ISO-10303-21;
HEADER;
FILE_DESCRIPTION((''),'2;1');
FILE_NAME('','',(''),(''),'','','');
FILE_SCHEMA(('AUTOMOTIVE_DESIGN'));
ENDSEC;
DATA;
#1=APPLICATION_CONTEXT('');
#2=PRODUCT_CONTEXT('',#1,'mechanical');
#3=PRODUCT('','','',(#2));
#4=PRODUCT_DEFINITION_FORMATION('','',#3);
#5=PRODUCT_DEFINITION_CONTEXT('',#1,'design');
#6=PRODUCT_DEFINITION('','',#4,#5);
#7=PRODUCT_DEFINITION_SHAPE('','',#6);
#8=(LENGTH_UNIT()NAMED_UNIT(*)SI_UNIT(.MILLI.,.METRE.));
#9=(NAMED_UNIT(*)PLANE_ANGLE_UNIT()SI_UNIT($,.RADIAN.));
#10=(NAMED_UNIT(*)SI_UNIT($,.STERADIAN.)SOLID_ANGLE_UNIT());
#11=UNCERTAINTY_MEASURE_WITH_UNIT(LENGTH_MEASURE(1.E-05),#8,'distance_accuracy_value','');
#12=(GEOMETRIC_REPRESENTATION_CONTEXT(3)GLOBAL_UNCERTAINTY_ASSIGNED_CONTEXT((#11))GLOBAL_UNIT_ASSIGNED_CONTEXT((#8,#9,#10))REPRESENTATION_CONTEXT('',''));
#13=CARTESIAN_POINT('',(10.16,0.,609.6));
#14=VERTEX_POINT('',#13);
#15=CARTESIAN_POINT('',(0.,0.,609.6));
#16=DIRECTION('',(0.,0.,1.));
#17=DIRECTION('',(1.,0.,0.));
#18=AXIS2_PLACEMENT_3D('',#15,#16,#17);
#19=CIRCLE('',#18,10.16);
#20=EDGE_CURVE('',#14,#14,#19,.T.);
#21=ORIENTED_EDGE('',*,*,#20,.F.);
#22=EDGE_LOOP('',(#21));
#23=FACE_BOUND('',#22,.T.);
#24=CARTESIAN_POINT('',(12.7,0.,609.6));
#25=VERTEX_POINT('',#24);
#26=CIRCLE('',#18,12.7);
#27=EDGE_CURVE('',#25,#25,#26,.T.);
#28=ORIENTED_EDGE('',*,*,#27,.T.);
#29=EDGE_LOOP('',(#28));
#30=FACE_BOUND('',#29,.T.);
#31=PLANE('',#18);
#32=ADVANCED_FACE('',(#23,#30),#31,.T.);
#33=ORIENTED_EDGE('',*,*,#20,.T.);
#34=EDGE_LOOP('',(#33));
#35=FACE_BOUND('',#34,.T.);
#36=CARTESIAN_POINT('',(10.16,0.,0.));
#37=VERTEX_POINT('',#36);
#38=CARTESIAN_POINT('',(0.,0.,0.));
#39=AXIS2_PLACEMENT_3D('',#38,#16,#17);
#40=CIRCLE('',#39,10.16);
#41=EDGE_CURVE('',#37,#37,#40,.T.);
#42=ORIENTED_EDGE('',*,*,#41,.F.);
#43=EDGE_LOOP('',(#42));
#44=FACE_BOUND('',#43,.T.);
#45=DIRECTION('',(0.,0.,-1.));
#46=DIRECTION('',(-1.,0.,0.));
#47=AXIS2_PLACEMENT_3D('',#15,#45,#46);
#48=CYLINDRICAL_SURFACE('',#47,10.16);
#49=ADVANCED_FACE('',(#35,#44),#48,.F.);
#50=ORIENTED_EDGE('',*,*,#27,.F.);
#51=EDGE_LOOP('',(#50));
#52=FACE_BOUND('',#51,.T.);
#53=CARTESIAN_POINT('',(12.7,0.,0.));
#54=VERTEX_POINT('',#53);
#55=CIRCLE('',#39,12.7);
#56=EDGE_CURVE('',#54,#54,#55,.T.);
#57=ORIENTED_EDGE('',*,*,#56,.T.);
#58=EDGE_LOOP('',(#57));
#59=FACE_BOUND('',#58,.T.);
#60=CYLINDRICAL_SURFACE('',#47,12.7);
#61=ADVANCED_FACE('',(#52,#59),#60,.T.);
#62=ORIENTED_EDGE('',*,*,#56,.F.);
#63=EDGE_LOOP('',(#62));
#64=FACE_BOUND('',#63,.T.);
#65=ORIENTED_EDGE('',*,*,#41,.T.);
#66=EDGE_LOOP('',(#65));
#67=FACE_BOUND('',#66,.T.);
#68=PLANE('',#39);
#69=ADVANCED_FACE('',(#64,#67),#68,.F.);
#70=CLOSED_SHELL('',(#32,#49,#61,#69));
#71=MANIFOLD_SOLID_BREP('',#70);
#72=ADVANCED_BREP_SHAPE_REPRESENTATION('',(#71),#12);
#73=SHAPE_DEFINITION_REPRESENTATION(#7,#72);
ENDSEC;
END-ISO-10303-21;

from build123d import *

# Parameters (mm, degrees)
SKETCH1_R           = 12.7
SKETCH1_R_2         = 10.16
BOSS_EXTRUDE1_DEPTH = 609.6


with BuildPart() as part:
    # Sketch1 → Boss-Extrude1 (new body)
    with BuildSketch(Plane.XY):
        Circle(SKETCH1_R)
        Circle(SKETCH1_R_2, mode=Mode.SUBTRACT)
    extrude(amount=BOSS_EXTRUDE1_DEPTH)


solid = part.part
